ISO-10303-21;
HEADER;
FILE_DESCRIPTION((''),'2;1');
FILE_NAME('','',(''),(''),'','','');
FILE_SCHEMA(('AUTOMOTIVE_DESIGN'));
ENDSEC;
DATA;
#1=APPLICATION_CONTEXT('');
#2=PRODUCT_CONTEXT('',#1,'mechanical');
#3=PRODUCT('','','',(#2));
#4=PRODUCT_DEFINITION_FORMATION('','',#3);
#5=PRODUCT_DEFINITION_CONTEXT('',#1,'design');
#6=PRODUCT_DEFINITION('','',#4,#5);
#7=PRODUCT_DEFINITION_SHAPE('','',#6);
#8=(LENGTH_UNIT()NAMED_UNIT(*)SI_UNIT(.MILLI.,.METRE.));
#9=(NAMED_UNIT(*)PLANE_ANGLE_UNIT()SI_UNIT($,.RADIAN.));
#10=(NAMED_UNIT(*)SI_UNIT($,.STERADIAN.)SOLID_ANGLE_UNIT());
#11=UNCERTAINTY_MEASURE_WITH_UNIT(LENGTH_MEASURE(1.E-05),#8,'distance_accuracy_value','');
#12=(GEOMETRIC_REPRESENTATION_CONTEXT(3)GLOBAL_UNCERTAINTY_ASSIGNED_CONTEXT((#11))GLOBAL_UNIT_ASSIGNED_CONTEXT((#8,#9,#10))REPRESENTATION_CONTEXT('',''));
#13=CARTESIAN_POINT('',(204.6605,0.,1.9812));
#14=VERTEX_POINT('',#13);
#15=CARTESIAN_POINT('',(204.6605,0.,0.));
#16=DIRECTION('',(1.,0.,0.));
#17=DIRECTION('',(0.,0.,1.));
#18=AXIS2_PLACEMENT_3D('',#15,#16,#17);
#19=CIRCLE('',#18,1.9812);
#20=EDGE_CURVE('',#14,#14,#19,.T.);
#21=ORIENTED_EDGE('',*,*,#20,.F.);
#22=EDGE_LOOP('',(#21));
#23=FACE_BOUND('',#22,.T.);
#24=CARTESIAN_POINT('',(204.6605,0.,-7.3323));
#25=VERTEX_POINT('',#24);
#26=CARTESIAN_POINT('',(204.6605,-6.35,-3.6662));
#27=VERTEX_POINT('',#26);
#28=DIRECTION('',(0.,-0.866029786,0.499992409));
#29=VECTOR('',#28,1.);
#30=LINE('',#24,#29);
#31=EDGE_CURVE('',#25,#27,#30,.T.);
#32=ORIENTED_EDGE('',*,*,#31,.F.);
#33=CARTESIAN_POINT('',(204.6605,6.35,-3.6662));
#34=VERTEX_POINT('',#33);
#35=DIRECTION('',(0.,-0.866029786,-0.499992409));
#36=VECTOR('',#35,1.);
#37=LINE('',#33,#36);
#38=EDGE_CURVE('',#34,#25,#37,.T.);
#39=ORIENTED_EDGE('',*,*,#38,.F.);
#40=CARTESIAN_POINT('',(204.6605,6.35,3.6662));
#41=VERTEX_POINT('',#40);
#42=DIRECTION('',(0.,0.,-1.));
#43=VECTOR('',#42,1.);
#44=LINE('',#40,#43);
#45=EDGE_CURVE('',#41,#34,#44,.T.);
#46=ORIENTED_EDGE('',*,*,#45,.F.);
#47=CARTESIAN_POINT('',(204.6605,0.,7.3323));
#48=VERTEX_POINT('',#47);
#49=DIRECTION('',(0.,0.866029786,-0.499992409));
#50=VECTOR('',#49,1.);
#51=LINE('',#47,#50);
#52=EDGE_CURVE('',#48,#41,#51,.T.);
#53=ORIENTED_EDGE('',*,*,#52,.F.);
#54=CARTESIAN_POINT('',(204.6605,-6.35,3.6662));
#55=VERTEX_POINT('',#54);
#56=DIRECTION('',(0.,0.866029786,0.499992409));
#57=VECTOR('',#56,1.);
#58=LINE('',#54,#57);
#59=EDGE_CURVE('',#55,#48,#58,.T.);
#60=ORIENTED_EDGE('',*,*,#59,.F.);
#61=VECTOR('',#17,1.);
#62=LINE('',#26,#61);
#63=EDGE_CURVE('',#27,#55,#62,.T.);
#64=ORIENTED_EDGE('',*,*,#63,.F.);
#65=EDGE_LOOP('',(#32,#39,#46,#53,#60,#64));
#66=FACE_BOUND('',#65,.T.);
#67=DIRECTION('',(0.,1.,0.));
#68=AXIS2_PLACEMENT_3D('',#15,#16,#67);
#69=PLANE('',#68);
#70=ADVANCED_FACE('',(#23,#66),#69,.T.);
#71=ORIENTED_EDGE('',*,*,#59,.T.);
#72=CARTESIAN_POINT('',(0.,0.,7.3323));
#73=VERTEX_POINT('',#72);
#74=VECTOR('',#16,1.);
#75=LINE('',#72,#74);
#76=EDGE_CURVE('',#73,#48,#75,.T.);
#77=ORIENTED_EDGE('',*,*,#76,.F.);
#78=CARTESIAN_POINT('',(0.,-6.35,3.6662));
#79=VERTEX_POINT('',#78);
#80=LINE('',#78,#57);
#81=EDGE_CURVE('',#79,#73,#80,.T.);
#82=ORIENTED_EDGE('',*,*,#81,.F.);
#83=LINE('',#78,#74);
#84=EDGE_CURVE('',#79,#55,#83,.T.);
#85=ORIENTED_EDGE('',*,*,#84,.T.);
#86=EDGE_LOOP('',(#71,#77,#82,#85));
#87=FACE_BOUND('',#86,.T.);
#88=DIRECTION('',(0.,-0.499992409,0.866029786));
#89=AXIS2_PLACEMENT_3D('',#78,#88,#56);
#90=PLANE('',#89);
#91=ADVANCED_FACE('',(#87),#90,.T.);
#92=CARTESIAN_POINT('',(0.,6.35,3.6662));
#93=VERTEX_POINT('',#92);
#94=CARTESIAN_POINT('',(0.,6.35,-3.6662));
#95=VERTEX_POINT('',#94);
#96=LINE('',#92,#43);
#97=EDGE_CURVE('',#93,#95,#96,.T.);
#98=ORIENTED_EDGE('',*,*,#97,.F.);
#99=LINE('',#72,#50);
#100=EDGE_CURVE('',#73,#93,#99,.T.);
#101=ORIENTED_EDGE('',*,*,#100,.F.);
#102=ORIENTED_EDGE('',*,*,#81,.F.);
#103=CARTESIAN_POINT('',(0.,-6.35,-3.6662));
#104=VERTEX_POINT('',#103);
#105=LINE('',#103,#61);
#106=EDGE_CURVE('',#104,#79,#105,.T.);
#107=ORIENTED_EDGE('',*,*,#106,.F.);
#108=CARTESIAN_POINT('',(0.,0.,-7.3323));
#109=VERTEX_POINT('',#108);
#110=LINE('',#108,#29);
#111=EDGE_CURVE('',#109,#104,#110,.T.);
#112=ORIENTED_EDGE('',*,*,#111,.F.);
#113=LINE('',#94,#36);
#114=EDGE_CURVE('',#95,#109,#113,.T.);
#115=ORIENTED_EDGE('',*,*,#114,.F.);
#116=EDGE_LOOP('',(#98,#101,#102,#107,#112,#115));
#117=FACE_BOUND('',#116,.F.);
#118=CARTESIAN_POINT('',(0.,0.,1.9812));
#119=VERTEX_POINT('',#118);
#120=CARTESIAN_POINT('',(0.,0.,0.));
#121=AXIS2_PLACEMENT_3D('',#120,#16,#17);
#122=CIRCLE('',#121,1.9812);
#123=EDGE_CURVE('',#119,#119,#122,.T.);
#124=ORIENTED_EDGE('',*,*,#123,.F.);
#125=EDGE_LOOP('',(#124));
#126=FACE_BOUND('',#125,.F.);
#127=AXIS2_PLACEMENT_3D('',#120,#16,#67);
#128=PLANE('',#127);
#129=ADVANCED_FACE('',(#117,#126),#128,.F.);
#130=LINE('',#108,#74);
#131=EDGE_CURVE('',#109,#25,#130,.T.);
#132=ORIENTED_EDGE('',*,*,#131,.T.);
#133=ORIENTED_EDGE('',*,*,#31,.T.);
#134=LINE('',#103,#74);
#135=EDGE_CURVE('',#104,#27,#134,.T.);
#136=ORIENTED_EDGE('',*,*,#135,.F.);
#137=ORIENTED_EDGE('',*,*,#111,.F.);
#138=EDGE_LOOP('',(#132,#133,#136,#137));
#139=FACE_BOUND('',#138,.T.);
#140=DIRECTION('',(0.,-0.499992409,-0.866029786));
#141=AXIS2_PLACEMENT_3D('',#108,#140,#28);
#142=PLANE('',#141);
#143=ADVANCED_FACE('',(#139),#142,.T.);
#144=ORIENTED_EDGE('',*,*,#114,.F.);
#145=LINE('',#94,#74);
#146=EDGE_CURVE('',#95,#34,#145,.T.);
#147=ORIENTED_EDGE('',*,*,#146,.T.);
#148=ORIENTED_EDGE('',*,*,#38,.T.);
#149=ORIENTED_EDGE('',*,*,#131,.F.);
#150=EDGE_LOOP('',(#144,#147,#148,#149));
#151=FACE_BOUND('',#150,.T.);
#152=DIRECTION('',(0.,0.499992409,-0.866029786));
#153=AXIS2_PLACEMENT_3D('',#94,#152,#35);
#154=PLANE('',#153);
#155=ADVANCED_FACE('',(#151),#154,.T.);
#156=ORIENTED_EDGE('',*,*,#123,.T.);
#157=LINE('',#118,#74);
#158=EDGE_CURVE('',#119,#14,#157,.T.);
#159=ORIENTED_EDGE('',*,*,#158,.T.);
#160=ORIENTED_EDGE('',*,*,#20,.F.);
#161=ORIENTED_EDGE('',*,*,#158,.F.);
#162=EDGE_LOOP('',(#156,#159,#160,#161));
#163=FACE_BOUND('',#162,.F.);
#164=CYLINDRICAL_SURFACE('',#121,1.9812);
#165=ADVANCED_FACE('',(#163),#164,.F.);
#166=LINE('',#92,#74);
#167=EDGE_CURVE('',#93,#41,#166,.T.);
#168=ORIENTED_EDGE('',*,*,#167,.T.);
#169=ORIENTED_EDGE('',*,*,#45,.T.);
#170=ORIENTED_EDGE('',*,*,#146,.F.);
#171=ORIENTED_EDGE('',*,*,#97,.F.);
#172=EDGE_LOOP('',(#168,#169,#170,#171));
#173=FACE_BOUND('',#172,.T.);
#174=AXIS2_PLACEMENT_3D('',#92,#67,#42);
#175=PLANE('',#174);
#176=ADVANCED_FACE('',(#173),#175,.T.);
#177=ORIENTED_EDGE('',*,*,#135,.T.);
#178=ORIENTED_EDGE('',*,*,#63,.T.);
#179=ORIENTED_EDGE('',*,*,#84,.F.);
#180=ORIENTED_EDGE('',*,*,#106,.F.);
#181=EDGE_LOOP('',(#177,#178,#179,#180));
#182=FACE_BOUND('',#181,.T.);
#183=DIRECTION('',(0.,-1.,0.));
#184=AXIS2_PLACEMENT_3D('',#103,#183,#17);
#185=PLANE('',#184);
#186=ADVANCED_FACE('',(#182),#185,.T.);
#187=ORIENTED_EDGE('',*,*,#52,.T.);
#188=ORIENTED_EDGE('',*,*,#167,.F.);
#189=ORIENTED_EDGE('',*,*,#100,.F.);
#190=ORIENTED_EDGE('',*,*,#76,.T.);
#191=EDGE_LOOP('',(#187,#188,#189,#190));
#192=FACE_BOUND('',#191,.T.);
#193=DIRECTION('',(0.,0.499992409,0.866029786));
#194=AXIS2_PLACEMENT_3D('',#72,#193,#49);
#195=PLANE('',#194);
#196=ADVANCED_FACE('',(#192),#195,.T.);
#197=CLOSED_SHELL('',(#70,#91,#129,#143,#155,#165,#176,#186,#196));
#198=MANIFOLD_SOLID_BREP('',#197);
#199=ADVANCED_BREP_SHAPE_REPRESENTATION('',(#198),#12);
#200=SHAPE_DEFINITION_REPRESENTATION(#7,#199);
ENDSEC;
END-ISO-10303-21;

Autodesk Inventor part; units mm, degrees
ref_plane "YZ Plane" through (0, 0, 0) normal (1, 0, 0) x (0, 1, 0)
ref_plane "XZ Plane" through (0, 0, 0) normal (0, 1, 0) x (-1, 0, 0)
ref_plane "XY Plane" through (0, 0, 0) normal (0, 0, 1) x (1, 0, 0)
sketch "Sketch1" plane through (0, 0, 0) normal (1, 0, 0) x (0, 1, 0)
  line L0 (-6.35, -3.6662) -> (-6.35, 3.6662)
  line L1 (-6.35, 3.6662) -> (0, 7.3323)
  line L2 (0, 7.3323) -> (6.35, 3.6662)
  line L3 (6.35, 3.6662) -> (6.35, -3.6662)
  line L4 (6.35, -3.6662) -> (0, -7.3323)
  line L5 (0, -7.3323) -> (-6.35, -3.6662)
  point P0 (0, 0)
  point P1 (0, 0)
  dimension "d0" = 12.7
extrude "Extrusion1" add sketch "Sketch1" along normal blind 204.6605
sketch "Sketch2" plane through (0, 0, 0) normal (-1, 0, 0) x (0, 0, 1)
  point P0 (0, 0)
  point P1 (0, 0)
hole "Hole1" at (0, 0, 0) direction (1, 0, 0) diameter 3.9624 end through all thread size "10-32 UNF" class "2B" standard "ANSI Unified Screw Threads"
properties part number "STOCK,SHAFT,HEX,MOTORS" material "Aluminum 6061"
